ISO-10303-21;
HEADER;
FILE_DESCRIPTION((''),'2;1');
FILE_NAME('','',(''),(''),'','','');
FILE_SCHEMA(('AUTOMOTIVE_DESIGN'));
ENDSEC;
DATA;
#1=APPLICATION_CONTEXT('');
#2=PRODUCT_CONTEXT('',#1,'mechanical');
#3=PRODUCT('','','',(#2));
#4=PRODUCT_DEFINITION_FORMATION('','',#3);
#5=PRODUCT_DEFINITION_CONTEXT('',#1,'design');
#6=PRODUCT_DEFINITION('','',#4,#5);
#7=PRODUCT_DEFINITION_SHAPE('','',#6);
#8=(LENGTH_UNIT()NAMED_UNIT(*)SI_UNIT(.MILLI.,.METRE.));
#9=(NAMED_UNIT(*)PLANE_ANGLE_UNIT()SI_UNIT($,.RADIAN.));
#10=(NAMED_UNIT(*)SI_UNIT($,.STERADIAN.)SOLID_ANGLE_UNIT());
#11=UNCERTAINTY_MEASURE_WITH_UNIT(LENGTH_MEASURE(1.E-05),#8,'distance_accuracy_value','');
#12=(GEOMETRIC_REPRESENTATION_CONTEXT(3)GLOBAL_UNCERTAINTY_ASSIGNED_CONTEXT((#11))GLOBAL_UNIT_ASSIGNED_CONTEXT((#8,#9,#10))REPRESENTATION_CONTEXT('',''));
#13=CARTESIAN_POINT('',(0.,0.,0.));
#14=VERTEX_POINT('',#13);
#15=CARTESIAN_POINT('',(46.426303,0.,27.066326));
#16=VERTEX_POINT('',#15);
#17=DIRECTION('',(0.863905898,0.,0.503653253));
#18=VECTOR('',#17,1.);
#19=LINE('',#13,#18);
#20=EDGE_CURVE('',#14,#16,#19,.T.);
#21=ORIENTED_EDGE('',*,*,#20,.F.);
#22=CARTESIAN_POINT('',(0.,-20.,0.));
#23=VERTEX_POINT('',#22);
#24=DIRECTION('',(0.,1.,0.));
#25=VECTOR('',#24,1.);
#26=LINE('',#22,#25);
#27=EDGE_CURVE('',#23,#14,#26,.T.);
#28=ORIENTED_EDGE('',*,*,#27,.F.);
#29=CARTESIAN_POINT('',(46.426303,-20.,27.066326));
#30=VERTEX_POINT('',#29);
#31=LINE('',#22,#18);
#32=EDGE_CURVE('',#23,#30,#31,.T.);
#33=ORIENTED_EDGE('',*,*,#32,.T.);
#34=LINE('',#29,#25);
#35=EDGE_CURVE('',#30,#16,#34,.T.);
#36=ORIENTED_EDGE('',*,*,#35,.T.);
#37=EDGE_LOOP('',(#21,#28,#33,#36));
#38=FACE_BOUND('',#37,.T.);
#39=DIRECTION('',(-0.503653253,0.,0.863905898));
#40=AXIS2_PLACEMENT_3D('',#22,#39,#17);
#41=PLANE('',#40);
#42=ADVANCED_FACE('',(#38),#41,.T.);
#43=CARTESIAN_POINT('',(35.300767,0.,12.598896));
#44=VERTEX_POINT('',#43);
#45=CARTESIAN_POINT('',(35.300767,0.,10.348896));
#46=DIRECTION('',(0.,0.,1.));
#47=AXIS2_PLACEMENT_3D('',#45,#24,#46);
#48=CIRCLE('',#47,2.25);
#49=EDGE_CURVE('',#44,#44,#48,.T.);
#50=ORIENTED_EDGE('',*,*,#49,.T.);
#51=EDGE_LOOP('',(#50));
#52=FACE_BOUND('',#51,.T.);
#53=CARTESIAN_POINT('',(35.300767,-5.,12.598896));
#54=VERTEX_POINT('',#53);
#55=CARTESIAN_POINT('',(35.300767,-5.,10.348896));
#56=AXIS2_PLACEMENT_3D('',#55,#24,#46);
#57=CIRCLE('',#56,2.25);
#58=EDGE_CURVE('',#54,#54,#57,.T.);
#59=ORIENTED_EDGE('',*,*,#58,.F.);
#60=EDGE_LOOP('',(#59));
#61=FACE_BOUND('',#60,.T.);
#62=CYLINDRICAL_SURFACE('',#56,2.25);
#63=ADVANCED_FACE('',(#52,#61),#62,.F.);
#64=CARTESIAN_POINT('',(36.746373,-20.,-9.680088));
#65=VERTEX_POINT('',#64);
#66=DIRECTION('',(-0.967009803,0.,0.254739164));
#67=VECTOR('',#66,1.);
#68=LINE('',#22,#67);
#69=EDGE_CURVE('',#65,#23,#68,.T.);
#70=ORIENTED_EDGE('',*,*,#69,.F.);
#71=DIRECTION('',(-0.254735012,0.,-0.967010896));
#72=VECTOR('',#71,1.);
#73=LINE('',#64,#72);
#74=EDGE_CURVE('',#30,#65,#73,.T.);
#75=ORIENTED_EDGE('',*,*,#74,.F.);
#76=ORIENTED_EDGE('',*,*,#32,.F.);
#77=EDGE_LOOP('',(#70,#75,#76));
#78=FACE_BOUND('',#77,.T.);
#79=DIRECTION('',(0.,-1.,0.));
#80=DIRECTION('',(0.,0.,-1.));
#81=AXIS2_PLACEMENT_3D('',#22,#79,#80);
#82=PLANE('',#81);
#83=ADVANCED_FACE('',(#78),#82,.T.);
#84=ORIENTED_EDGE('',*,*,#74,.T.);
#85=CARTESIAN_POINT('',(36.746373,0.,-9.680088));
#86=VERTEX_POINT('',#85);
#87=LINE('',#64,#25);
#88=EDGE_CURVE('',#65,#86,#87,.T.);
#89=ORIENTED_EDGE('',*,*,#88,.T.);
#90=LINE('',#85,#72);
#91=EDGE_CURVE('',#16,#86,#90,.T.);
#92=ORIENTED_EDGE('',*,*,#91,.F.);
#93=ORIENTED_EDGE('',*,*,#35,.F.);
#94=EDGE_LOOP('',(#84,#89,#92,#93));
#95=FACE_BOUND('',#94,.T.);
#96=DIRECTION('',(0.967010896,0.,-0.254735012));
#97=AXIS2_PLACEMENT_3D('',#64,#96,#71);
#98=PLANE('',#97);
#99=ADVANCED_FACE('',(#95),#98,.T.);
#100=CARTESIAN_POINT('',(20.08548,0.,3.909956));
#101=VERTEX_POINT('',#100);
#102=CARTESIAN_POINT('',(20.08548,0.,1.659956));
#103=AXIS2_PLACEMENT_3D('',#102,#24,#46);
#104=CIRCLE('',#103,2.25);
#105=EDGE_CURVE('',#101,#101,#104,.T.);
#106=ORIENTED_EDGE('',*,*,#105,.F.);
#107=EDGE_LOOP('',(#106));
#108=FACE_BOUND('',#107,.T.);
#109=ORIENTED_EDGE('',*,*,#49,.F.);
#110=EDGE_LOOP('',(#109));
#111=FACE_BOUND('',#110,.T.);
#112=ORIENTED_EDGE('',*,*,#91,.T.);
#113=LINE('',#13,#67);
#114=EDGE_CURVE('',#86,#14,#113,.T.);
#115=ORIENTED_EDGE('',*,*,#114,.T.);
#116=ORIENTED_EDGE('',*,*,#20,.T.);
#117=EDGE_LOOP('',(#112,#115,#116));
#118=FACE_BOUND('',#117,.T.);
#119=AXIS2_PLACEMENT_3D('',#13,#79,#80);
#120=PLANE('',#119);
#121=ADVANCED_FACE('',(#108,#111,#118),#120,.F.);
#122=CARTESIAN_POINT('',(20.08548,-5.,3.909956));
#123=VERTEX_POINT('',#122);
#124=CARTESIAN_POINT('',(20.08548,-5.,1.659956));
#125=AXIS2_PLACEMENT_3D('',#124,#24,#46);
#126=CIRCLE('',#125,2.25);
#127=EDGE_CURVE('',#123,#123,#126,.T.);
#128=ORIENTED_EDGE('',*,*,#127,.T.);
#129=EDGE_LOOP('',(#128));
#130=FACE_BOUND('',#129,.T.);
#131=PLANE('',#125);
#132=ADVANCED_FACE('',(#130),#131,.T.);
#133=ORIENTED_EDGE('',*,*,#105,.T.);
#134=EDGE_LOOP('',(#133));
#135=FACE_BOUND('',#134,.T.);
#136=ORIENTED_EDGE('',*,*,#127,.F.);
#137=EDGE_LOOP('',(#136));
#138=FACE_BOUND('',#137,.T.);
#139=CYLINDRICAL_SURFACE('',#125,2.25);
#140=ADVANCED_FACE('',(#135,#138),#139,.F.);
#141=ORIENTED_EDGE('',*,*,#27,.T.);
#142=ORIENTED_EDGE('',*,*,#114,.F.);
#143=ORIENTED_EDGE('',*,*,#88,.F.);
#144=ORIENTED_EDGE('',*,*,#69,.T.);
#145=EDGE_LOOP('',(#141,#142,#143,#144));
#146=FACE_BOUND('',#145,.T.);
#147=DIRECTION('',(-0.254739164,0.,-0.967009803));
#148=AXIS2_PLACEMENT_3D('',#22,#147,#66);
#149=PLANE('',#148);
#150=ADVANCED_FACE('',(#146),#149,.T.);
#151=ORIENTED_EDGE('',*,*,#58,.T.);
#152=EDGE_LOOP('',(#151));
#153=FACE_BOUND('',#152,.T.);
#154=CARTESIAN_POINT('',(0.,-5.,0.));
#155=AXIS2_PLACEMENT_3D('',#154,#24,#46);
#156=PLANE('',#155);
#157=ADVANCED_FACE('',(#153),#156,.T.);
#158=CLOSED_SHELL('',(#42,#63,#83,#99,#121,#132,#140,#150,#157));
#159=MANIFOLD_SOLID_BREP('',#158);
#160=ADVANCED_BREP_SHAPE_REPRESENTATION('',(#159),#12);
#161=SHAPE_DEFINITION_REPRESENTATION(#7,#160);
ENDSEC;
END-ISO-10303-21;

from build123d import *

# Parameters (mm, degrees)
BOSS_EXTRUDE1_DEPTH = 20
SKETCH8_R           = 2.25
CUT_EXTRUDE3_DEPTH  = 5


with BuildPart() as part:
    # Sketch1 → Boss-Extrude1 (new body)
    with BuildSketch(Plane(origin=(0, 0, 0), x_dir=(1, 0, 0), z_dir=(0, 1, 0))):
        Polygon((0, 0), (46.42630295, -27.066325838), (36.746372501, 9.680088225), align=None)
    extrude(amount=-BOSS_EXTRUDE1_DEPTH)

    # Sketch8 → Cut-Extrude3 (cut)
    with BuildSketch(Plane(origin=(0, 0, 0), x_dir=(1, 0, 0), z_dir=(0, 1, 0))):
        with Locations(Location((20.085479714, -1.659955888, 0), (0, 0, 270))):
            Circle(SKETCH8_R)
        with Locations(Location((35.300766899, -10.348896383, 0), (0, 0, 270))):
            Circle(SKETCH8_R)
    extrude(amount=-CUT_EXTRUDE3_DEPTH, mode=Mode.SUBTRACT)


solid = part.part
